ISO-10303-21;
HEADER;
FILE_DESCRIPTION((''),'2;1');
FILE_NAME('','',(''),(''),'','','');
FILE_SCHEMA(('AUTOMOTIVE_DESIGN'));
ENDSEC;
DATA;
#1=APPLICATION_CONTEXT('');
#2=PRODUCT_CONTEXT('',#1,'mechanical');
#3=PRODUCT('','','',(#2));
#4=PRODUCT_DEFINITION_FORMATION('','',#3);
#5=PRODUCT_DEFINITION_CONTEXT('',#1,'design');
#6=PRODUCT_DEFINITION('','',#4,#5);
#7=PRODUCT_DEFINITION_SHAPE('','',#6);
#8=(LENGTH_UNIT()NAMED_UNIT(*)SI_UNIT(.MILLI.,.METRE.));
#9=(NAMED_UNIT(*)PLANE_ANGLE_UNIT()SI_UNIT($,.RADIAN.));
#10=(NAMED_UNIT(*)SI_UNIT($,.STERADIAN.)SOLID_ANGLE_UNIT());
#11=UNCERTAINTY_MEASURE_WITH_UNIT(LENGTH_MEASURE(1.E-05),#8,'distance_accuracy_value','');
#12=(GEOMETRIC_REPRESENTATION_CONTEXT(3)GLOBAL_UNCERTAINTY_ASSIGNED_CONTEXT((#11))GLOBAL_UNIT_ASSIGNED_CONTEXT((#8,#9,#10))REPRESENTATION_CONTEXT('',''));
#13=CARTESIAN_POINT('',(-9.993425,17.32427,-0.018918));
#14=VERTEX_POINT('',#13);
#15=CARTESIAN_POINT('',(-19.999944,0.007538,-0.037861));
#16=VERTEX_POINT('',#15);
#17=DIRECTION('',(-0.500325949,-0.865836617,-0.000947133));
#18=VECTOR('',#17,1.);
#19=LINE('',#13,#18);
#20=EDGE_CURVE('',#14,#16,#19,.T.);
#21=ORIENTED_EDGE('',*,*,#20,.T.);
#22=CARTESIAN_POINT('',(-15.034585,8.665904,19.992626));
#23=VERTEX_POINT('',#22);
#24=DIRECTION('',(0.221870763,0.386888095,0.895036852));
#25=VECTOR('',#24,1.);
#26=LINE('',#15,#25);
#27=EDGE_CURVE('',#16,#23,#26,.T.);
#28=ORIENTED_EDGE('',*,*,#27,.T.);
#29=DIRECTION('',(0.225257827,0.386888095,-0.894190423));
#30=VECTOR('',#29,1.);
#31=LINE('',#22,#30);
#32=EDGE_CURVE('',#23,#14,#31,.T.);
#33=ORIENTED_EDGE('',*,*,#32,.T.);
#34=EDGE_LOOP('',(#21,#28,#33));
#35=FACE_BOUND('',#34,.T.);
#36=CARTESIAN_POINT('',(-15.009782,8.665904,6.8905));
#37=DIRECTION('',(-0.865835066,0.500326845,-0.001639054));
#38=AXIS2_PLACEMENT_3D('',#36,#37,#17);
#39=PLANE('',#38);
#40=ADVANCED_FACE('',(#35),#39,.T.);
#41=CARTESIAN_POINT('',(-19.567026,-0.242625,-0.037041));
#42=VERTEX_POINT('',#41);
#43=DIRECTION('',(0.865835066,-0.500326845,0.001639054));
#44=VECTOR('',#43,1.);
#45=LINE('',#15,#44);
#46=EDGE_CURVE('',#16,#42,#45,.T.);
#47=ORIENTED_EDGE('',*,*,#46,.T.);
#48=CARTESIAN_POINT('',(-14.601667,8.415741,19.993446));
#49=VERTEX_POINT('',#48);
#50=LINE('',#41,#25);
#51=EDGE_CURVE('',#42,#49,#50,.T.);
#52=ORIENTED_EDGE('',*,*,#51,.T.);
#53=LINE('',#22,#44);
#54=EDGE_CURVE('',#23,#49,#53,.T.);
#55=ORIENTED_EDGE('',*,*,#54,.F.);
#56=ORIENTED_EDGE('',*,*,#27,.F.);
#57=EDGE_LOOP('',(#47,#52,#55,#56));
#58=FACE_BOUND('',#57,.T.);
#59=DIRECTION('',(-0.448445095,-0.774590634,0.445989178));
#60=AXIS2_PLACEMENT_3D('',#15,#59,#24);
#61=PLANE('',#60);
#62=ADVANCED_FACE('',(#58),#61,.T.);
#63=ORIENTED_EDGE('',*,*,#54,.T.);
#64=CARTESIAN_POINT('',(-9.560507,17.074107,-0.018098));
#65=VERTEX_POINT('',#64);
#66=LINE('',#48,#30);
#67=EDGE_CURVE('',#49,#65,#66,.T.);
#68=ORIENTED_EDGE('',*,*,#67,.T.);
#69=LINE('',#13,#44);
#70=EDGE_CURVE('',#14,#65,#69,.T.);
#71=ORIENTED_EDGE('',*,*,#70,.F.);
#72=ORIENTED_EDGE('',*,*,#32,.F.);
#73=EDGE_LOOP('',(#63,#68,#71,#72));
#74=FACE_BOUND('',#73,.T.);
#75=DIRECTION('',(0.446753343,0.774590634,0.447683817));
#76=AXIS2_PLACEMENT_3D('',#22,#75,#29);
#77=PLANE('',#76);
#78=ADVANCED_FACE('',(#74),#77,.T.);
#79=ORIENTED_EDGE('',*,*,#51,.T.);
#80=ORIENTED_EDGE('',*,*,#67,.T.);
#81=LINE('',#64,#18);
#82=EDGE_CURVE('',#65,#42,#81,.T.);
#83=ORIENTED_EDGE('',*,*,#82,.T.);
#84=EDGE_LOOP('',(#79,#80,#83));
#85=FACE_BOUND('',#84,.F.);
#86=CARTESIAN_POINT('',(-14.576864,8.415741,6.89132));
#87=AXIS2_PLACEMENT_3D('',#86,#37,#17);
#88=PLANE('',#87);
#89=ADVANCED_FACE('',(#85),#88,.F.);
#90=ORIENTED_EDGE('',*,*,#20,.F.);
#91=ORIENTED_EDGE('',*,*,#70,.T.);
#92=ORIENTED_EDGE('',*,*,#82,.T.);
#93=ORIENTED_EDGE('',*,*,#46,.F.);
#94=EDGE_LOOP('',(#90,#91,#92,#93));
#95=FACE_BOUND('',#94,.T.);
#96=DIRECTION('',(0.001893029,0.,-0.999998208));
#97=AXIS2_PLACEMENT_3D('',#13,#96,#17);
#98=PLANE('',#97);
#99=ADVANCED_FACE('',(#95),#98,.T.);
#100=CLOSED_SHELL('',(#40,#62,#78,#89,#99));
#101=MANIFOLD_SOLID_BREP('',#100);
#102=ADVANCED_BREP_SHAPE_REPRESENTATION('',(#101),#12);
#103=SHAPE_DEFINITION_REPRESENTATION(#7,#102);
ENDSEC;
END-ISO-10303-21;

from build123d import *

# Parameters (mm, degrees)
F5_DEPTH = 0.5


with BuildPart() as f5:
    # F4 (on 3pt) → F5 (new body)
    with BuildSketch(Plane(origin=(-14.9966841803, 8.6659041431, -0.0283892035), x_dir=(-0.5003259488, -0.8658366173, -0.000947133), z_dir=(-0.8658350659, 0.5003268453, -0.0016390535))):
        Polygon((10, 0), (0, 20.0210511684), (-10, 0), align=None)
    extrude(amount=-F5_DEPTH)


solid = f5.part
